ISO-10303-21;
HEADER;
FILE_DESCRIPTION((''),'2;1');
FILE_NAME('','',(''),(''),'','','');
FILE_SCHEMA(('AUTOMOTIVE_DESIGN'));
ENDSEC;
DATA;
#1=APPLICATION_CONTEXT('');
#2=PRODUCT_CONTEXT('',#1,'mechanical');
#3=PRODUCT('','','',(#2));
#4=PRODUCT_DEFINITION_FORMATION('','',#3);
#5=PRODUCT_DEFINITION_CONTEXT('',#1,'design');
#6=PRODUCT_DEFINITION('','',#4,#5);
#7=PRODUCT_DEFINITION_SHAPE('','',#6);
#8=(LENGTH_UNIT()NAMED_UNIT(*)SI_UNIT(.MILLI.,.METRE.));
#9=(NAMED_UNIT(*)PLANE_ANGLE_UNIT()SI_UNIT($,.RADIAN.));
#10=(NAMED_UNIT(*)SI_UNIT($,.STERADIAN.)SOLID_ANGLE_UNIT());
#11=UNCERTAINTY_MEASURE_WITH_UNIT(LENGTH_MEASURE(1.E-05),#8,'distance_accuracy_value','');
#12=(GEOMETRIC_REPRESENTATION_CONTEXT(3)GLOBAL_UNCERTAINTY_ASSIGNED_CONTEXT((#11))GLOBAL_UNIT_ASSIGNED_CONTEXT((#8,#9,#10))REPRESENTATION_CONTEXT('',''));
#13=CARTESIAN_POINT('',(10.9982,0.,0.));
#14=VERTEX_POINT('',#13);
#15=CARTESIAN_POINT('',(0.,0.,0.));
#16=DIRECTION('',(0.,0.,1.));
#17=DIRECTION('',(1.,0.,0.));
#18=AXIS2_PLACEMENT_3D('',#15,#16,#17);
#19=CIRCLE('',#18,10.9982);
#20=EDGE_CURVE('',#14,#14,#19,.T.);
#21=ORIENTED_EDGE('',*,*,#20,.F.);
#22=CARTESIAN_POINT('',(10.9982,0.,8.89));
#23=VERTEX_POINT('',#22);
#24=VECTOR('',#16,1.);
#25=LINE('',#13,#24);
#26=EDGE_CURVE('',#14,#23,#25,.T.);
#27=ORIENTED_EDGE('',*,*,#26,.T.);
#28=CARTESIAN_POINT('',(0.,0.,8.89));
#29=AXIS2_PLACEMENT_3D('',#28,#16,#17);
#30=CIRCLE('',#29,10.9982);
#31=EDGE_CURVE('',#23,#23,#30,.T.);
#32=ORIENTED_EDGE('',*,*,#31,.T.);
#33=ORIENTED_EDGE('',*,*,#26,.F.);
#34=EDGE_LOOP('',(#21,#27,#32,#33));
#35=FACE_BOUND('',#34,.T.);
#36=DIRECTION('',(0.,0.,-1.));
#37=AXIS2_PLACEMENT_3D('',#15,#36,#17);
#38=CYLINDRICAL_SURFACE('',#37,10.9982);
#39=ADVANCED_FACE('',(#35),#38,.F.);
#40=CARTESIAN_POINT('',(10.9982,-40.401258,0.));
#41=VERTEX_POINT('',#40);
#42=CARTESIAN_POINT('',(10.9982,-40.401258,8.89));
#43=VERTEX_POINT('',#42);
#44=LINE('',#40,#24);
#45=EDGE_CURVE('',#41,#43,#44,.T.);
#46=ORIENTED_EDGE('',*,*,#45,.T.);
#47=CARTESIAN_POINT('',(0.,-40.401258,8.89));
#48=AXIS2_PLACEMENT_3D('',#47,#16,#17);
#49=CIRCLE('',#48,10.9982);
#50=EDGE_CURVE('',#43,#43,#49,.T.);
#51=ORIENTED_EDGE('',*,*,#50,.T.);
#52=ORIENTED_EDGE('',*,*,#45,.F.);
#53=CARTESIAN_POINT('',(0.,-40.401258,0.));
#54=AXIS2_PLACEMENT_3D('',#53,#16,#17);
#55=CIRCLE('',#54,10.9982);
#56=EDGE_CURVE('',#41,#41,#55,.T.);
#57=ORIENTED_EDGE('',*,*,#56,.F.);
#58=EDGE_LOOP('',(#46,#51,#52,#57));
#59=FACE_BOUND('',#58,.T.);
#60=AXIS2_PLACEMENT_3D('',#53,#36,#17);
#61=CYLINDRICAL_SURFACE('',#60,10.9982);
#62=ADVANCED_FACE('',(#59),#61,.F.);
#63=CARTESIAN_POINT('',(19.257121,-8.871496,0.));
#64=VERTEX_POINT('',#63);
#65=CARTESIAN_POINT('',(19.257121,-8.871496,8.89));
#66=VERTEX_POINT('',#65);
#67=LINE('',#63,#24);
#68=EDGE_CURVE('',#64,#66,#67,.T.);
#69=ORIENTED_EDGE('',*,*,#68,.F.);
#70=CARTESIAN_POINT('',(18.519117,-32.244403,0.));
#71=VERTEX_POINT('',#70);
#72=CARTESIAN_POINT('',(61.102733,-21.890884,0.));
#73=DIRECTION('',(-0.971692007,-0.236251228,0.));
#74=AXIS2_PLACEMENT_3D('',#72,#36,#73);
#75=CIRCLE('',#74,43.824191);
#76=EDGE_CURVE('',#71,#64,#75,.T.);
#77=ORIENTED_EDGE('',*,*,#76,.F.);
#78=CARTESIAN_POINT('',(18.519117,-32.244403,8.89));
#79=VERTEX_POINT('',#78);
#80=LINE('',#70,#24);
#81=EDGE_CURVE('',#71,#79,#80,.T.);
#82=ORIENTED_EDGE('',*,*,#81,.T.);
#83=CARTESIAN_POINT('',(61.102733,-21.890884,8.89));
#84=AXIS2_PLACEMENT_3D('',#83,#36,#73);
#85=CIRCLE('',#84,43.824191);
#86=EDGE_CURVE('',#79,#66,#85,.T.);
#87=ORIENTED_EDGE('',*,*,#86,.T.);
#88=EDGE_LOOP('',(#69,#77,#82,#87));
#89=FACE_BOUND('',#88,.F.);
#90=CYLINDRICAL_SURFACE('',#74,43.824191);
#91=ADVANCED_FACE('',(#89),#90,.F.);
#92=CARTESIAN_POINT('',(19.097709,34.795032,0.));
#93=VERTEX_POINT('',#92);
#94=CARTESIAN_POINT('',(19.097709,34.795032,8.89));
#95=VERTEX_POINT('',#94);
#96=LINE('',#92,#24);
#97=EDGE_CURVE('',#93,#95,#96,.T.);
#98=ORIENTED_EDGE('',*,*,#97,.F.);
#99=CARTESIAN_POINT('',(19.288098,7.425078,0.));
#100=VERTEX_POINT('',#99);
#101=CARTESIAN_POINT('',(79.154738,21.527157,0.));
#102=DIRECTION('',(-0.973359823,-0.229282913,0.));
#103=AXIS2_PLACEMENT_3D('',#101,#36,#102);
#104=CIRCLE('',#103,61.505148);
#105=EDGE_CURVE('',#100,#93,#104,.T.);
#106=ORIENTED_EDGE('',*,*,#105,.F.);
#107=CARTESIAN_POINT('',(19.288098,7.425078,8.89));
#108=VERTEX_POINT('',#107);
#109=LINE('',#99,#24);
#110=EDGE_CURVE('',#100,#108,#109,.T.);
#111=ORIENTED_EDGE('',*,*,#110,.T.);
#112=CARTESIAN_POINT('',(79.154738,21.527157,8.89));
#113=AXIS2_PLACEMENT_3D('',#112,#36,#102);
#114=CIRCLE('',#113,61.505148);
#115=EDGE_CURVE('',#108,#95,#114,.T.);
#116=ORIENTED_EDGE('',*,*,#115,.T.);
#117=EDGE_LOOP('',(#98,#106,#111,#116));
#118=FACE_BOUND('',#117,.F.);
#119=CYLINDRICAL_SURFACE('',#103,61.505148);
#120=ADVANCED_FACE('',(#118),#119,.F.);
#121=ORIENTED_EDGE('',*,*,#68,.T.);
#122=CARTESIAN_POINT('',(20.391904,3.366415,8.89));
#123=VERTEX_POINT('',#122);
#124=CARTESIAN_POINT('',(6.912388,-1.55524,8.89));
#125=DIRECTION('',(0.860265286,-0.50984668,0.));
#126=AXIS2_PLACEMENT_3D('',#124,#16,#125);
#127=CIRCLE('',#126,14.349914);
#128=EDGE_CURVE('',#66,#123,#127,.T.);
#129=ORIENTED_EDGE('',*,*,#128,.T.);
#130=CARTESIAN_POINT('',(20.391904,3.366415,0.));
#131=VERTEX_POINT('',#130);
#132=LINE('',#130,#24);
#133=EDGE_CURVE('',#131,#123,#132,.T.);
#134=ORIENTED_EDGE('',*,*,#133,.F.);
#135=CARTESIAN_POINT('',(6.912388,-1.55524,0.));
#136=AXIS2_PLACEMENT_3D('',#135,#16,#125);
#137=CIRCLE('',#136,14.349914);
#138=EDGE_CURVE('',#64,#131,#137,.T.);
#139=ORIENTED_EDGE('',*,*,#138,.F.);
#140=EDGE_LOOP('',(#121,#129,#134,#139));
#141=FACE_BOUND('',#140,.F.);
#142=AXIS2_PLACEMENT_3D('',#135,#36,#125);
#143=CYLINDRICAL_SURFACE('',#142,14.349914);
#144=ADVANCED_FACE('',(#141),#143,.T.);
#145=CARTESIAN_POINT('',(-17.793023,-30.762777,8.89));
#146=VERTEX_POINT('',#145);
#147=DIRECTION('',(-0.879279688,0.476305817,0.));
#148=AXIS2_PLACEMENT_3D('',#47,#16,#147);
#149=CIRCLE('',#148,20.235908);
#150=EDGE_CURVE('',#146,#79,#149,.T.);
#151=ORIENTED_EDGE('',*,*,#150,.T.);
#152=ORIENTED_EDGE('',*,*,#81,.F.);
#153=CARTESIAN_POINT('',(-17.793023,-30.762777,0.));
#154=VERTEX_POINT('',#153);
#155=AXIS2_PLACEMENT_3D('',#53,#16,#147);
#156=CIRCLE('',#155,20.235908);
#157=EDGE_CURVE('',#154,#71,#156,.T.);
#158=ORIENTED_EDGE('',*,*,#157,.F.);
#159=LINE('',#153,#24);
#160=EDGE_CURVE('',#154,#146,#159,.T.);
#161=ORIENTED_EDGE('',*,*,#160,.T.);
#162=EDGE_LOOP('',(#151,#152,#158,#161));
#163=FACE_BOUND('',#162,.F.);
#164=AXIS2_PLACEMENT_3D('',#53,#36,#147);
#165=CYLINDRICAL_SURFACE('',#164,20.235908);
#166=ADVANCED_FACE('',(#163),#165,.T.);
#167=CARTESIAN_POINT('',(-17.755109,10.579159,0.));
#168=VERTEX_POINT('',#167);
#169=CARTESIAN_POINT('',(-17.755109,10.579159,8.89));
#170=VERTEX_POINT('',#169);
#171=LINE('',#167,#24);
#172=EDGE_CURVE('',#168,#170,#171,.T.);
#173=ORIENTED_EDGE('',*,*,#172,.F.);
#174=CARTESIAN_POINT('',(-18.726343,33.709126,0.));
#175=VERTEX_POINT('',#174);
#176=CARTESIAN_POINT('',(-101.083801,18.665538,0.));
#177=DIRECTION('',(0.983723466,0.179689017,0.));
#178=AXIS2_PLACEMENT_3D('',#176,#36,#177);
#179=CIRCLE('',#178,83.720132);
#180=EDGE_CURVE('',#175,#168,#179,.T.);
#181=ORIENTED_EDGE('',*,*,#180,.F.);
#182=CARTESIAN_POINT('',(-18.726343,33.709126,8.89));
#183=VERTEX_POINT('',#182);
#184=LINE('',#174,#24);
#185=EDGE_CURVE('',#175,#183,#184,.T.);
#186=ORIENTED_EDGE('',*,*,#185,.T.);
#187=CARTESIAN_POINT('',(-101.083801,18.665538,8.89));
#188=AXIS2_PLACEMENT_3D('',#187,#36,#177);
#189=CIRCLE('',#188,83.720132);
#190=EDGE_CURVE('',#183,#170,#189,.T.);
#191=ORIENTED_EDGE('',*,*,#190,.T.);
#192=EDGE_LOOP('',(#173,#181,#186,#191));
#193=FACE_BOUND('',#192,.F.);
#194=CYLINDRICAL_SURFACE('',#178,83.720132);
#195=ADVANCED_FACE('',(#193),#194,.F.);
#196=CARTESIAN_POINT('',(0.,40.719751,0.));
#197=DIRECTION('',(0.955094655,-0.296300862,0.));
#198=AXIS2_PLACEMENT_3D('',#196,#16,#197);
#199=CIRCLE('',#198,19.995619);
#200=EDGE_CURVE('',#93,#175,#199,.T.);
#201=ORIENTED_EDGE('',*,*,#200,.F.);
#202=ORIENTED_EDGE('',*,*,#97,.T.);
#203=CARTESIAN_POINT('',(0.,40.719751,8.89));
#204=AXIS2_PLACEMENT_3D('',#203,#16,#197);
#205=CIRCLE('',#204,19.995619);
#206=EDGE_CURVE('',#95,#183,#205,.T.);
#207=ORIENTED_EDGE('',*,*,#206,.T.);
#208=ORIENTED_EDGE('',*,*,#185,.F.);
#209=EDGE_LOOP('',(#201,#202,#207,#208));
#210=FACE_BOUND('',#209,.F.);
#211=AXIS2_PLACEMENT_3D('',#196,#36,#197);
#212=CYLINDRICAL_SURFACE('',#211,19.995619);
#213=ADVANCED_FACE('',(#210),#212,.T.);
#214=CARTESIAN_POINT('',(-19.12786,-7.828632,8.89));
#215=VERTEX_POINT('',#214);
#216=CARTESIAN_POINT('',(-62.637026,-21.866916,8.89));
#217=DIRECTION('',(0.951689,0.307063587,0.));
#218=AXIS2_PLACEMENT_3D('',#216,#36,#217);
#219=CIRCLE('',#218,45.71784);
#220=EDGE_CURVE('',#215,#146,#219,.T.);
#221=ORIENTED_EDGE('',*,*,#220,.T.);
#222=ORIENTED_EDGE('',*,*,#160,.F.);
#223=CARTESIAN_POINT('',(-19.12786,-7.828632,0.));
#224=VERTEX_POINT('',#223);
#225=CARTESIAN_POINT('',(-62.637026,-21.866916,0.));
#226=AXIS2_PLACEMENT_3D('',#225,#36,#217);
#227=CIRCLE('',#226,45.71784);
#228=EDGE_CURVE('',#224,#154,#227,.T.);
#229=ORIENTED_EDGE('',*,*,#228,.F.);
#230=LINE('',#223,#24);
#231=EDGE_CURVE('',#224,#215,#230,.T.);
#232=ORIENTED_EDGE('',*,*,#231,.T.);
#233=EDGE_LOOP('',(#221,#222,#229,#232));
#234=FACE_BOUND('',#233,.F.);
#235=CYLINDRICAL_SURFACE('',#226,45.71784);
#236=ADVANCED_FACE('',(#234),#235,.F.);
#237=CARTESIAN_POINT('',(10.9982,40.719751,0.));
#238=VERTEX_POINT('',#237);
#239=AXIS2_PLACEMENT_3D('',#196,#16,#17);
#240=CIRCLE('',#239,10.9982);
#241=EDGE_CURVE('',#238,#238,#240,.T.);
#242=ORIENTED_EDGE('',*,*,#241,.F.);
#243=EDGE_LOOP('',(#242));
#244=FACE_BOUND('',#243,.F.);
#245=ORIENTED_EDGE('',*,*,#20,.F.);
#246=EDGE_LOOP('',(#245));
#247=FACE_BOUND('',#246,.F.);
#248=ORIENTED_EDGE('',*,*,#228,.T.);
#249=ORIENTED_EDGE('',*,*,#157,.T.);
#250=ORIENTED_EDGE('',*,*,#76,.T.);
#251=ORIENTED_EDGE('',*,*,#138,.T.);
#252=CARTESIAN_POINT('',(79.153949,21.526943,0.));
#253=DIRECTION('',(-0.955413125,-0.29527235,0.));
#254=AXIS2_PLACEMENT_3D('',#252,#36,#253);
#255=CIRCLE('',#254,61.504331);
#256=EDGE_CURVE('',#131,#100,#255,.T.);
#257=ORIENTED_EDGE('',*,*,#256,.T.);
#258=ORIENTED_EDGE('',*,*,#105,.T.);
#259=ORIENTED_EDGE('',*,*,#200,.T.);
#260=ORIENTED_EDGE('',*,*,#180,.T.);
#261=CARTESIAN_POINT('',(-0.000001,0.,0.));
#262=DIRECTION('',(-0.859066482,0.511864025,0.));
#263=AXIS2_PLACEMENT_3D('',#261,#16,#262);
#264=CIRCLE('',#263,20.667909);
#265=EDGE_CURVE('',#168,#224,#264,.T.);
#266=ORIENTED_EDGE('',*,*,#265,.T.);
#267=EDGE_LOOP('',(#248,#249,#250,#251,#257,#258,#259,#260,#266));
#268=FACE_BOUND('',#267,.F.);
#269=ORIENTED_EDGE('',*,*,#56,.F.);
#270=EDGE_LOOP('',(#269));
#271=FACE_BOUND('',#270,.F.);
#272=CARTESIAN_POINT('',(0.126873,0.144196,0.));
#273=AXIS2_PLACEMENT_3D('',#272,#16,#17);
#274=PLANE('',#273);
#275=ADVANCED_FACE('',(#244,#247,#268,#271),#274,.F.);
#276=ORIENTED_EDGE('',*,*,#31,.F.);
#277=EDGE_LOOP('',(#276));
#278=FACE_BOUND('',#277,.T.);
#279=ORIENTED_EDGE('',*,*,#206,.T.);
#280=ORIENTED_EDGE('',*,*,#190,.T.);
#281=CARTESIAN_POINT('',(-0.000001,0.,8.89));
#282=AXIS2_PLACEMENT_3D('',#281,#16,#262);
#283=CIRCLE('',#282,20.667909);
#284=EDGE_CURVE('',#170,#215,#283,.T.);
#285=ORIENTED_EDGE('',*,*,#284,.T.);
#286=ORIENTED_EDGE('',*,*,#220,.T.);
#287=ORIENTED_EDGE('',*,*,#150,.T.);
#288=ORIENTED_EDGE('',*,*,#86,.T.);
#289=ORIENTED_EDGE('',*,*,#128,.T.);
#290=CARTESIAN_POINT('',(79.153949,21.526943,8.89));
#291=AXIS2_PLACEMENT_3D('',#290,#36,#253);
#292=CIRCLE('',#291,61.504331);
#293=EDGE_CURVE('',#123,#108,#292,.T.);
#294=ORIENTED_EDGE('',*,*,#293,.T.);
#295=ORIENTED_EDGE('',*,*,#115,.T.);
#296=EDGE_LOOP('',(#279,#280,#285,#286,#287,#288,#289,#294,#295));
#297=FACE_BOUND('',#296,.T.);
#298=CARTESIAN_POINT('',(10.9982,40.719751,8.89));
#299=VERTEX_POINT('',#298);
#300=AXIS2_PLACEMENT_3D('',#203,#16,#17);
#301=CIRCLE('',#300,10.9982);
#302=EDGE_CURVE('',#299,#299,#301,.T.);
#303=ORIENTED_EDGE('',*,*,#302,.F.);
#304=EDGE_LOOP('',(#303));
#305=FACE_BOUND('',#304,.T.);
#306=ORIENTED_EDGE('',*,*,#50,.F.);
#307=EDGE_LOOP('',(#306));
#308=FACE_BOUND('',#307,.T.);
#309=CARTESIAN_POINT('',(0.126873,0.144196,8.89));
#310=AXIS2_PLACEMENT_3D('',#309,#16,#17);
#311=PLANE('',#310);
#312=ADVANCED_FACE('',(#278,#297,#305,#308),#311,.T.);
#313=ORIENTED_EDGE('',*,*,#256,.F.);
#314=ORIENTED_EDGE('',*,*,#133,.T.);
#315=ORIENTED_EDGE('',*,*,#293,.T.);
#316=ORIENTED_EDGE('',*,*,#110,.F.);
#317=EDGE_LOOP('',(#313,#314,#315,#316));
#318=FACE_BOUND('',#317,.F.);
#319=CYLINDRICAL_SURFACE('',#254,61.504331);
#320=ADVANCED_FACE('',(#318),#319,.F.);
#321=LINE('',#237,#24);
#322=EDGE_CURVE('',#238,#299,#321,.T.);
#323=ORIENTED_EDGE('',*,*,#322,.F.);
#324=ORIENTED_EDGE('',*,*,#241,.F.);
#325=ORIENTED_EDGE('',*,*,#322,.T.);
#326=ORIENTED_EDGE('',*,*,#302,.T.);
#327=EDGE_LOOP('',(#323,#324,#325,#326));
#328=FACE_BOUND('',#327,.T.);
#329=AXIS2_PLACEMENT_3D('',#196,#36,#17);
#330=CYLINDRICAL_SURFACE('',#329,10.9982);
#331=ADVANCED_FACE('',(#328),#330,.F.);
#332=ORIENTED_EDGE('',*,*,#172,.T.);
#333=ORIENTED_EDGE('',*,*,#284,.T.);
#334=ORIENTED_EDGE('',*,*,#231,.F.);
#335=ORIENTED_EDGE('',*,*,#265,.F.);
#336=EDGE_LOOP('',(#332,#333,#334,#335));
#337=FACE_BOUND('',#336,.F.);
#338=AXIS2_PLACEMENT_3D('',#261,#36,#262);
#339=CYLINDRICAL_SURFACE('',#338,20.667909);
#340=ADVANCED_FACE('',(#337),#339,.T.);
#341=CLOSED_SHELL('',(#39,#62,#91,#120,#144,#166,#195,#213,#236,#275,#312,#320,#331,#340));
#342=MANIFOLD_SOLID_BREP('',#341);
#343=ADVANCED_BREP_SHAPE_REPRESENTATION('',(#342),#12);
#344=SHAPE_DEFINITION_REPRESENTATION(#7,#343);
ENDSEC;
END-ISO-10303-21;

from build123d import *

# Parameters (mm, degrees)
F0_R     = 10.9982
F1_DEPTH = 8.89


with BuildPart() as f1:
    # F0 (on Top) → F1 (new body)
    with BuildSketch(Plane.XY):
        with BuildLine():
            ThreePointArc((19.288098, 7.425078), (17.651078, 21.09933), (19.097709, 34.795032))
            ThreePointArc((19.097709, 34.795032), (-0.573826, 60.707135), (-18.726343, 33.709126))
            ThreePointArc((-18.726343, 33.709126), (-17.437379, 22.177876), (-17.755109, 10.579159))
            ThreePointArc((-17.755109, 10.579159), (-20.610678, 1.53703), (-19.12786, -7.828632))
            ThreePointArc((-19.12786, -7.828632), (-16.996426, -19.210494), (-17.793023, -30.762777))
            ThreePointArc((-17.793023, -30.762777), (-0.824989, -60.620342), (18.519117, -32.244403))
            ThreePointArc((18.519117, -32.244403), (17.300372, -20.507816), (19.257121, -8.871496))
            ThreePointArc((19.257121, -8.871496), (21.201005, -2.880178), (20.391904, 3.366415))
            ThreePointArc((20.391904, 3.366415), (19.805296, 5.386308), (19.288098, 7.425078))
        make_face()
        with Locations((0, -40.401258)):
            Circle(F0_R, mode=Mode.SUBTRACT)
        Circle(F0_R, mode=Mode.SUBTRACT)
        with Locations((0, 40.719751)):
            Circle(F0_R, mode=Mode.SUBTRACT)
    extrude(amount=F1_DEPTH)


solid = f1.part
